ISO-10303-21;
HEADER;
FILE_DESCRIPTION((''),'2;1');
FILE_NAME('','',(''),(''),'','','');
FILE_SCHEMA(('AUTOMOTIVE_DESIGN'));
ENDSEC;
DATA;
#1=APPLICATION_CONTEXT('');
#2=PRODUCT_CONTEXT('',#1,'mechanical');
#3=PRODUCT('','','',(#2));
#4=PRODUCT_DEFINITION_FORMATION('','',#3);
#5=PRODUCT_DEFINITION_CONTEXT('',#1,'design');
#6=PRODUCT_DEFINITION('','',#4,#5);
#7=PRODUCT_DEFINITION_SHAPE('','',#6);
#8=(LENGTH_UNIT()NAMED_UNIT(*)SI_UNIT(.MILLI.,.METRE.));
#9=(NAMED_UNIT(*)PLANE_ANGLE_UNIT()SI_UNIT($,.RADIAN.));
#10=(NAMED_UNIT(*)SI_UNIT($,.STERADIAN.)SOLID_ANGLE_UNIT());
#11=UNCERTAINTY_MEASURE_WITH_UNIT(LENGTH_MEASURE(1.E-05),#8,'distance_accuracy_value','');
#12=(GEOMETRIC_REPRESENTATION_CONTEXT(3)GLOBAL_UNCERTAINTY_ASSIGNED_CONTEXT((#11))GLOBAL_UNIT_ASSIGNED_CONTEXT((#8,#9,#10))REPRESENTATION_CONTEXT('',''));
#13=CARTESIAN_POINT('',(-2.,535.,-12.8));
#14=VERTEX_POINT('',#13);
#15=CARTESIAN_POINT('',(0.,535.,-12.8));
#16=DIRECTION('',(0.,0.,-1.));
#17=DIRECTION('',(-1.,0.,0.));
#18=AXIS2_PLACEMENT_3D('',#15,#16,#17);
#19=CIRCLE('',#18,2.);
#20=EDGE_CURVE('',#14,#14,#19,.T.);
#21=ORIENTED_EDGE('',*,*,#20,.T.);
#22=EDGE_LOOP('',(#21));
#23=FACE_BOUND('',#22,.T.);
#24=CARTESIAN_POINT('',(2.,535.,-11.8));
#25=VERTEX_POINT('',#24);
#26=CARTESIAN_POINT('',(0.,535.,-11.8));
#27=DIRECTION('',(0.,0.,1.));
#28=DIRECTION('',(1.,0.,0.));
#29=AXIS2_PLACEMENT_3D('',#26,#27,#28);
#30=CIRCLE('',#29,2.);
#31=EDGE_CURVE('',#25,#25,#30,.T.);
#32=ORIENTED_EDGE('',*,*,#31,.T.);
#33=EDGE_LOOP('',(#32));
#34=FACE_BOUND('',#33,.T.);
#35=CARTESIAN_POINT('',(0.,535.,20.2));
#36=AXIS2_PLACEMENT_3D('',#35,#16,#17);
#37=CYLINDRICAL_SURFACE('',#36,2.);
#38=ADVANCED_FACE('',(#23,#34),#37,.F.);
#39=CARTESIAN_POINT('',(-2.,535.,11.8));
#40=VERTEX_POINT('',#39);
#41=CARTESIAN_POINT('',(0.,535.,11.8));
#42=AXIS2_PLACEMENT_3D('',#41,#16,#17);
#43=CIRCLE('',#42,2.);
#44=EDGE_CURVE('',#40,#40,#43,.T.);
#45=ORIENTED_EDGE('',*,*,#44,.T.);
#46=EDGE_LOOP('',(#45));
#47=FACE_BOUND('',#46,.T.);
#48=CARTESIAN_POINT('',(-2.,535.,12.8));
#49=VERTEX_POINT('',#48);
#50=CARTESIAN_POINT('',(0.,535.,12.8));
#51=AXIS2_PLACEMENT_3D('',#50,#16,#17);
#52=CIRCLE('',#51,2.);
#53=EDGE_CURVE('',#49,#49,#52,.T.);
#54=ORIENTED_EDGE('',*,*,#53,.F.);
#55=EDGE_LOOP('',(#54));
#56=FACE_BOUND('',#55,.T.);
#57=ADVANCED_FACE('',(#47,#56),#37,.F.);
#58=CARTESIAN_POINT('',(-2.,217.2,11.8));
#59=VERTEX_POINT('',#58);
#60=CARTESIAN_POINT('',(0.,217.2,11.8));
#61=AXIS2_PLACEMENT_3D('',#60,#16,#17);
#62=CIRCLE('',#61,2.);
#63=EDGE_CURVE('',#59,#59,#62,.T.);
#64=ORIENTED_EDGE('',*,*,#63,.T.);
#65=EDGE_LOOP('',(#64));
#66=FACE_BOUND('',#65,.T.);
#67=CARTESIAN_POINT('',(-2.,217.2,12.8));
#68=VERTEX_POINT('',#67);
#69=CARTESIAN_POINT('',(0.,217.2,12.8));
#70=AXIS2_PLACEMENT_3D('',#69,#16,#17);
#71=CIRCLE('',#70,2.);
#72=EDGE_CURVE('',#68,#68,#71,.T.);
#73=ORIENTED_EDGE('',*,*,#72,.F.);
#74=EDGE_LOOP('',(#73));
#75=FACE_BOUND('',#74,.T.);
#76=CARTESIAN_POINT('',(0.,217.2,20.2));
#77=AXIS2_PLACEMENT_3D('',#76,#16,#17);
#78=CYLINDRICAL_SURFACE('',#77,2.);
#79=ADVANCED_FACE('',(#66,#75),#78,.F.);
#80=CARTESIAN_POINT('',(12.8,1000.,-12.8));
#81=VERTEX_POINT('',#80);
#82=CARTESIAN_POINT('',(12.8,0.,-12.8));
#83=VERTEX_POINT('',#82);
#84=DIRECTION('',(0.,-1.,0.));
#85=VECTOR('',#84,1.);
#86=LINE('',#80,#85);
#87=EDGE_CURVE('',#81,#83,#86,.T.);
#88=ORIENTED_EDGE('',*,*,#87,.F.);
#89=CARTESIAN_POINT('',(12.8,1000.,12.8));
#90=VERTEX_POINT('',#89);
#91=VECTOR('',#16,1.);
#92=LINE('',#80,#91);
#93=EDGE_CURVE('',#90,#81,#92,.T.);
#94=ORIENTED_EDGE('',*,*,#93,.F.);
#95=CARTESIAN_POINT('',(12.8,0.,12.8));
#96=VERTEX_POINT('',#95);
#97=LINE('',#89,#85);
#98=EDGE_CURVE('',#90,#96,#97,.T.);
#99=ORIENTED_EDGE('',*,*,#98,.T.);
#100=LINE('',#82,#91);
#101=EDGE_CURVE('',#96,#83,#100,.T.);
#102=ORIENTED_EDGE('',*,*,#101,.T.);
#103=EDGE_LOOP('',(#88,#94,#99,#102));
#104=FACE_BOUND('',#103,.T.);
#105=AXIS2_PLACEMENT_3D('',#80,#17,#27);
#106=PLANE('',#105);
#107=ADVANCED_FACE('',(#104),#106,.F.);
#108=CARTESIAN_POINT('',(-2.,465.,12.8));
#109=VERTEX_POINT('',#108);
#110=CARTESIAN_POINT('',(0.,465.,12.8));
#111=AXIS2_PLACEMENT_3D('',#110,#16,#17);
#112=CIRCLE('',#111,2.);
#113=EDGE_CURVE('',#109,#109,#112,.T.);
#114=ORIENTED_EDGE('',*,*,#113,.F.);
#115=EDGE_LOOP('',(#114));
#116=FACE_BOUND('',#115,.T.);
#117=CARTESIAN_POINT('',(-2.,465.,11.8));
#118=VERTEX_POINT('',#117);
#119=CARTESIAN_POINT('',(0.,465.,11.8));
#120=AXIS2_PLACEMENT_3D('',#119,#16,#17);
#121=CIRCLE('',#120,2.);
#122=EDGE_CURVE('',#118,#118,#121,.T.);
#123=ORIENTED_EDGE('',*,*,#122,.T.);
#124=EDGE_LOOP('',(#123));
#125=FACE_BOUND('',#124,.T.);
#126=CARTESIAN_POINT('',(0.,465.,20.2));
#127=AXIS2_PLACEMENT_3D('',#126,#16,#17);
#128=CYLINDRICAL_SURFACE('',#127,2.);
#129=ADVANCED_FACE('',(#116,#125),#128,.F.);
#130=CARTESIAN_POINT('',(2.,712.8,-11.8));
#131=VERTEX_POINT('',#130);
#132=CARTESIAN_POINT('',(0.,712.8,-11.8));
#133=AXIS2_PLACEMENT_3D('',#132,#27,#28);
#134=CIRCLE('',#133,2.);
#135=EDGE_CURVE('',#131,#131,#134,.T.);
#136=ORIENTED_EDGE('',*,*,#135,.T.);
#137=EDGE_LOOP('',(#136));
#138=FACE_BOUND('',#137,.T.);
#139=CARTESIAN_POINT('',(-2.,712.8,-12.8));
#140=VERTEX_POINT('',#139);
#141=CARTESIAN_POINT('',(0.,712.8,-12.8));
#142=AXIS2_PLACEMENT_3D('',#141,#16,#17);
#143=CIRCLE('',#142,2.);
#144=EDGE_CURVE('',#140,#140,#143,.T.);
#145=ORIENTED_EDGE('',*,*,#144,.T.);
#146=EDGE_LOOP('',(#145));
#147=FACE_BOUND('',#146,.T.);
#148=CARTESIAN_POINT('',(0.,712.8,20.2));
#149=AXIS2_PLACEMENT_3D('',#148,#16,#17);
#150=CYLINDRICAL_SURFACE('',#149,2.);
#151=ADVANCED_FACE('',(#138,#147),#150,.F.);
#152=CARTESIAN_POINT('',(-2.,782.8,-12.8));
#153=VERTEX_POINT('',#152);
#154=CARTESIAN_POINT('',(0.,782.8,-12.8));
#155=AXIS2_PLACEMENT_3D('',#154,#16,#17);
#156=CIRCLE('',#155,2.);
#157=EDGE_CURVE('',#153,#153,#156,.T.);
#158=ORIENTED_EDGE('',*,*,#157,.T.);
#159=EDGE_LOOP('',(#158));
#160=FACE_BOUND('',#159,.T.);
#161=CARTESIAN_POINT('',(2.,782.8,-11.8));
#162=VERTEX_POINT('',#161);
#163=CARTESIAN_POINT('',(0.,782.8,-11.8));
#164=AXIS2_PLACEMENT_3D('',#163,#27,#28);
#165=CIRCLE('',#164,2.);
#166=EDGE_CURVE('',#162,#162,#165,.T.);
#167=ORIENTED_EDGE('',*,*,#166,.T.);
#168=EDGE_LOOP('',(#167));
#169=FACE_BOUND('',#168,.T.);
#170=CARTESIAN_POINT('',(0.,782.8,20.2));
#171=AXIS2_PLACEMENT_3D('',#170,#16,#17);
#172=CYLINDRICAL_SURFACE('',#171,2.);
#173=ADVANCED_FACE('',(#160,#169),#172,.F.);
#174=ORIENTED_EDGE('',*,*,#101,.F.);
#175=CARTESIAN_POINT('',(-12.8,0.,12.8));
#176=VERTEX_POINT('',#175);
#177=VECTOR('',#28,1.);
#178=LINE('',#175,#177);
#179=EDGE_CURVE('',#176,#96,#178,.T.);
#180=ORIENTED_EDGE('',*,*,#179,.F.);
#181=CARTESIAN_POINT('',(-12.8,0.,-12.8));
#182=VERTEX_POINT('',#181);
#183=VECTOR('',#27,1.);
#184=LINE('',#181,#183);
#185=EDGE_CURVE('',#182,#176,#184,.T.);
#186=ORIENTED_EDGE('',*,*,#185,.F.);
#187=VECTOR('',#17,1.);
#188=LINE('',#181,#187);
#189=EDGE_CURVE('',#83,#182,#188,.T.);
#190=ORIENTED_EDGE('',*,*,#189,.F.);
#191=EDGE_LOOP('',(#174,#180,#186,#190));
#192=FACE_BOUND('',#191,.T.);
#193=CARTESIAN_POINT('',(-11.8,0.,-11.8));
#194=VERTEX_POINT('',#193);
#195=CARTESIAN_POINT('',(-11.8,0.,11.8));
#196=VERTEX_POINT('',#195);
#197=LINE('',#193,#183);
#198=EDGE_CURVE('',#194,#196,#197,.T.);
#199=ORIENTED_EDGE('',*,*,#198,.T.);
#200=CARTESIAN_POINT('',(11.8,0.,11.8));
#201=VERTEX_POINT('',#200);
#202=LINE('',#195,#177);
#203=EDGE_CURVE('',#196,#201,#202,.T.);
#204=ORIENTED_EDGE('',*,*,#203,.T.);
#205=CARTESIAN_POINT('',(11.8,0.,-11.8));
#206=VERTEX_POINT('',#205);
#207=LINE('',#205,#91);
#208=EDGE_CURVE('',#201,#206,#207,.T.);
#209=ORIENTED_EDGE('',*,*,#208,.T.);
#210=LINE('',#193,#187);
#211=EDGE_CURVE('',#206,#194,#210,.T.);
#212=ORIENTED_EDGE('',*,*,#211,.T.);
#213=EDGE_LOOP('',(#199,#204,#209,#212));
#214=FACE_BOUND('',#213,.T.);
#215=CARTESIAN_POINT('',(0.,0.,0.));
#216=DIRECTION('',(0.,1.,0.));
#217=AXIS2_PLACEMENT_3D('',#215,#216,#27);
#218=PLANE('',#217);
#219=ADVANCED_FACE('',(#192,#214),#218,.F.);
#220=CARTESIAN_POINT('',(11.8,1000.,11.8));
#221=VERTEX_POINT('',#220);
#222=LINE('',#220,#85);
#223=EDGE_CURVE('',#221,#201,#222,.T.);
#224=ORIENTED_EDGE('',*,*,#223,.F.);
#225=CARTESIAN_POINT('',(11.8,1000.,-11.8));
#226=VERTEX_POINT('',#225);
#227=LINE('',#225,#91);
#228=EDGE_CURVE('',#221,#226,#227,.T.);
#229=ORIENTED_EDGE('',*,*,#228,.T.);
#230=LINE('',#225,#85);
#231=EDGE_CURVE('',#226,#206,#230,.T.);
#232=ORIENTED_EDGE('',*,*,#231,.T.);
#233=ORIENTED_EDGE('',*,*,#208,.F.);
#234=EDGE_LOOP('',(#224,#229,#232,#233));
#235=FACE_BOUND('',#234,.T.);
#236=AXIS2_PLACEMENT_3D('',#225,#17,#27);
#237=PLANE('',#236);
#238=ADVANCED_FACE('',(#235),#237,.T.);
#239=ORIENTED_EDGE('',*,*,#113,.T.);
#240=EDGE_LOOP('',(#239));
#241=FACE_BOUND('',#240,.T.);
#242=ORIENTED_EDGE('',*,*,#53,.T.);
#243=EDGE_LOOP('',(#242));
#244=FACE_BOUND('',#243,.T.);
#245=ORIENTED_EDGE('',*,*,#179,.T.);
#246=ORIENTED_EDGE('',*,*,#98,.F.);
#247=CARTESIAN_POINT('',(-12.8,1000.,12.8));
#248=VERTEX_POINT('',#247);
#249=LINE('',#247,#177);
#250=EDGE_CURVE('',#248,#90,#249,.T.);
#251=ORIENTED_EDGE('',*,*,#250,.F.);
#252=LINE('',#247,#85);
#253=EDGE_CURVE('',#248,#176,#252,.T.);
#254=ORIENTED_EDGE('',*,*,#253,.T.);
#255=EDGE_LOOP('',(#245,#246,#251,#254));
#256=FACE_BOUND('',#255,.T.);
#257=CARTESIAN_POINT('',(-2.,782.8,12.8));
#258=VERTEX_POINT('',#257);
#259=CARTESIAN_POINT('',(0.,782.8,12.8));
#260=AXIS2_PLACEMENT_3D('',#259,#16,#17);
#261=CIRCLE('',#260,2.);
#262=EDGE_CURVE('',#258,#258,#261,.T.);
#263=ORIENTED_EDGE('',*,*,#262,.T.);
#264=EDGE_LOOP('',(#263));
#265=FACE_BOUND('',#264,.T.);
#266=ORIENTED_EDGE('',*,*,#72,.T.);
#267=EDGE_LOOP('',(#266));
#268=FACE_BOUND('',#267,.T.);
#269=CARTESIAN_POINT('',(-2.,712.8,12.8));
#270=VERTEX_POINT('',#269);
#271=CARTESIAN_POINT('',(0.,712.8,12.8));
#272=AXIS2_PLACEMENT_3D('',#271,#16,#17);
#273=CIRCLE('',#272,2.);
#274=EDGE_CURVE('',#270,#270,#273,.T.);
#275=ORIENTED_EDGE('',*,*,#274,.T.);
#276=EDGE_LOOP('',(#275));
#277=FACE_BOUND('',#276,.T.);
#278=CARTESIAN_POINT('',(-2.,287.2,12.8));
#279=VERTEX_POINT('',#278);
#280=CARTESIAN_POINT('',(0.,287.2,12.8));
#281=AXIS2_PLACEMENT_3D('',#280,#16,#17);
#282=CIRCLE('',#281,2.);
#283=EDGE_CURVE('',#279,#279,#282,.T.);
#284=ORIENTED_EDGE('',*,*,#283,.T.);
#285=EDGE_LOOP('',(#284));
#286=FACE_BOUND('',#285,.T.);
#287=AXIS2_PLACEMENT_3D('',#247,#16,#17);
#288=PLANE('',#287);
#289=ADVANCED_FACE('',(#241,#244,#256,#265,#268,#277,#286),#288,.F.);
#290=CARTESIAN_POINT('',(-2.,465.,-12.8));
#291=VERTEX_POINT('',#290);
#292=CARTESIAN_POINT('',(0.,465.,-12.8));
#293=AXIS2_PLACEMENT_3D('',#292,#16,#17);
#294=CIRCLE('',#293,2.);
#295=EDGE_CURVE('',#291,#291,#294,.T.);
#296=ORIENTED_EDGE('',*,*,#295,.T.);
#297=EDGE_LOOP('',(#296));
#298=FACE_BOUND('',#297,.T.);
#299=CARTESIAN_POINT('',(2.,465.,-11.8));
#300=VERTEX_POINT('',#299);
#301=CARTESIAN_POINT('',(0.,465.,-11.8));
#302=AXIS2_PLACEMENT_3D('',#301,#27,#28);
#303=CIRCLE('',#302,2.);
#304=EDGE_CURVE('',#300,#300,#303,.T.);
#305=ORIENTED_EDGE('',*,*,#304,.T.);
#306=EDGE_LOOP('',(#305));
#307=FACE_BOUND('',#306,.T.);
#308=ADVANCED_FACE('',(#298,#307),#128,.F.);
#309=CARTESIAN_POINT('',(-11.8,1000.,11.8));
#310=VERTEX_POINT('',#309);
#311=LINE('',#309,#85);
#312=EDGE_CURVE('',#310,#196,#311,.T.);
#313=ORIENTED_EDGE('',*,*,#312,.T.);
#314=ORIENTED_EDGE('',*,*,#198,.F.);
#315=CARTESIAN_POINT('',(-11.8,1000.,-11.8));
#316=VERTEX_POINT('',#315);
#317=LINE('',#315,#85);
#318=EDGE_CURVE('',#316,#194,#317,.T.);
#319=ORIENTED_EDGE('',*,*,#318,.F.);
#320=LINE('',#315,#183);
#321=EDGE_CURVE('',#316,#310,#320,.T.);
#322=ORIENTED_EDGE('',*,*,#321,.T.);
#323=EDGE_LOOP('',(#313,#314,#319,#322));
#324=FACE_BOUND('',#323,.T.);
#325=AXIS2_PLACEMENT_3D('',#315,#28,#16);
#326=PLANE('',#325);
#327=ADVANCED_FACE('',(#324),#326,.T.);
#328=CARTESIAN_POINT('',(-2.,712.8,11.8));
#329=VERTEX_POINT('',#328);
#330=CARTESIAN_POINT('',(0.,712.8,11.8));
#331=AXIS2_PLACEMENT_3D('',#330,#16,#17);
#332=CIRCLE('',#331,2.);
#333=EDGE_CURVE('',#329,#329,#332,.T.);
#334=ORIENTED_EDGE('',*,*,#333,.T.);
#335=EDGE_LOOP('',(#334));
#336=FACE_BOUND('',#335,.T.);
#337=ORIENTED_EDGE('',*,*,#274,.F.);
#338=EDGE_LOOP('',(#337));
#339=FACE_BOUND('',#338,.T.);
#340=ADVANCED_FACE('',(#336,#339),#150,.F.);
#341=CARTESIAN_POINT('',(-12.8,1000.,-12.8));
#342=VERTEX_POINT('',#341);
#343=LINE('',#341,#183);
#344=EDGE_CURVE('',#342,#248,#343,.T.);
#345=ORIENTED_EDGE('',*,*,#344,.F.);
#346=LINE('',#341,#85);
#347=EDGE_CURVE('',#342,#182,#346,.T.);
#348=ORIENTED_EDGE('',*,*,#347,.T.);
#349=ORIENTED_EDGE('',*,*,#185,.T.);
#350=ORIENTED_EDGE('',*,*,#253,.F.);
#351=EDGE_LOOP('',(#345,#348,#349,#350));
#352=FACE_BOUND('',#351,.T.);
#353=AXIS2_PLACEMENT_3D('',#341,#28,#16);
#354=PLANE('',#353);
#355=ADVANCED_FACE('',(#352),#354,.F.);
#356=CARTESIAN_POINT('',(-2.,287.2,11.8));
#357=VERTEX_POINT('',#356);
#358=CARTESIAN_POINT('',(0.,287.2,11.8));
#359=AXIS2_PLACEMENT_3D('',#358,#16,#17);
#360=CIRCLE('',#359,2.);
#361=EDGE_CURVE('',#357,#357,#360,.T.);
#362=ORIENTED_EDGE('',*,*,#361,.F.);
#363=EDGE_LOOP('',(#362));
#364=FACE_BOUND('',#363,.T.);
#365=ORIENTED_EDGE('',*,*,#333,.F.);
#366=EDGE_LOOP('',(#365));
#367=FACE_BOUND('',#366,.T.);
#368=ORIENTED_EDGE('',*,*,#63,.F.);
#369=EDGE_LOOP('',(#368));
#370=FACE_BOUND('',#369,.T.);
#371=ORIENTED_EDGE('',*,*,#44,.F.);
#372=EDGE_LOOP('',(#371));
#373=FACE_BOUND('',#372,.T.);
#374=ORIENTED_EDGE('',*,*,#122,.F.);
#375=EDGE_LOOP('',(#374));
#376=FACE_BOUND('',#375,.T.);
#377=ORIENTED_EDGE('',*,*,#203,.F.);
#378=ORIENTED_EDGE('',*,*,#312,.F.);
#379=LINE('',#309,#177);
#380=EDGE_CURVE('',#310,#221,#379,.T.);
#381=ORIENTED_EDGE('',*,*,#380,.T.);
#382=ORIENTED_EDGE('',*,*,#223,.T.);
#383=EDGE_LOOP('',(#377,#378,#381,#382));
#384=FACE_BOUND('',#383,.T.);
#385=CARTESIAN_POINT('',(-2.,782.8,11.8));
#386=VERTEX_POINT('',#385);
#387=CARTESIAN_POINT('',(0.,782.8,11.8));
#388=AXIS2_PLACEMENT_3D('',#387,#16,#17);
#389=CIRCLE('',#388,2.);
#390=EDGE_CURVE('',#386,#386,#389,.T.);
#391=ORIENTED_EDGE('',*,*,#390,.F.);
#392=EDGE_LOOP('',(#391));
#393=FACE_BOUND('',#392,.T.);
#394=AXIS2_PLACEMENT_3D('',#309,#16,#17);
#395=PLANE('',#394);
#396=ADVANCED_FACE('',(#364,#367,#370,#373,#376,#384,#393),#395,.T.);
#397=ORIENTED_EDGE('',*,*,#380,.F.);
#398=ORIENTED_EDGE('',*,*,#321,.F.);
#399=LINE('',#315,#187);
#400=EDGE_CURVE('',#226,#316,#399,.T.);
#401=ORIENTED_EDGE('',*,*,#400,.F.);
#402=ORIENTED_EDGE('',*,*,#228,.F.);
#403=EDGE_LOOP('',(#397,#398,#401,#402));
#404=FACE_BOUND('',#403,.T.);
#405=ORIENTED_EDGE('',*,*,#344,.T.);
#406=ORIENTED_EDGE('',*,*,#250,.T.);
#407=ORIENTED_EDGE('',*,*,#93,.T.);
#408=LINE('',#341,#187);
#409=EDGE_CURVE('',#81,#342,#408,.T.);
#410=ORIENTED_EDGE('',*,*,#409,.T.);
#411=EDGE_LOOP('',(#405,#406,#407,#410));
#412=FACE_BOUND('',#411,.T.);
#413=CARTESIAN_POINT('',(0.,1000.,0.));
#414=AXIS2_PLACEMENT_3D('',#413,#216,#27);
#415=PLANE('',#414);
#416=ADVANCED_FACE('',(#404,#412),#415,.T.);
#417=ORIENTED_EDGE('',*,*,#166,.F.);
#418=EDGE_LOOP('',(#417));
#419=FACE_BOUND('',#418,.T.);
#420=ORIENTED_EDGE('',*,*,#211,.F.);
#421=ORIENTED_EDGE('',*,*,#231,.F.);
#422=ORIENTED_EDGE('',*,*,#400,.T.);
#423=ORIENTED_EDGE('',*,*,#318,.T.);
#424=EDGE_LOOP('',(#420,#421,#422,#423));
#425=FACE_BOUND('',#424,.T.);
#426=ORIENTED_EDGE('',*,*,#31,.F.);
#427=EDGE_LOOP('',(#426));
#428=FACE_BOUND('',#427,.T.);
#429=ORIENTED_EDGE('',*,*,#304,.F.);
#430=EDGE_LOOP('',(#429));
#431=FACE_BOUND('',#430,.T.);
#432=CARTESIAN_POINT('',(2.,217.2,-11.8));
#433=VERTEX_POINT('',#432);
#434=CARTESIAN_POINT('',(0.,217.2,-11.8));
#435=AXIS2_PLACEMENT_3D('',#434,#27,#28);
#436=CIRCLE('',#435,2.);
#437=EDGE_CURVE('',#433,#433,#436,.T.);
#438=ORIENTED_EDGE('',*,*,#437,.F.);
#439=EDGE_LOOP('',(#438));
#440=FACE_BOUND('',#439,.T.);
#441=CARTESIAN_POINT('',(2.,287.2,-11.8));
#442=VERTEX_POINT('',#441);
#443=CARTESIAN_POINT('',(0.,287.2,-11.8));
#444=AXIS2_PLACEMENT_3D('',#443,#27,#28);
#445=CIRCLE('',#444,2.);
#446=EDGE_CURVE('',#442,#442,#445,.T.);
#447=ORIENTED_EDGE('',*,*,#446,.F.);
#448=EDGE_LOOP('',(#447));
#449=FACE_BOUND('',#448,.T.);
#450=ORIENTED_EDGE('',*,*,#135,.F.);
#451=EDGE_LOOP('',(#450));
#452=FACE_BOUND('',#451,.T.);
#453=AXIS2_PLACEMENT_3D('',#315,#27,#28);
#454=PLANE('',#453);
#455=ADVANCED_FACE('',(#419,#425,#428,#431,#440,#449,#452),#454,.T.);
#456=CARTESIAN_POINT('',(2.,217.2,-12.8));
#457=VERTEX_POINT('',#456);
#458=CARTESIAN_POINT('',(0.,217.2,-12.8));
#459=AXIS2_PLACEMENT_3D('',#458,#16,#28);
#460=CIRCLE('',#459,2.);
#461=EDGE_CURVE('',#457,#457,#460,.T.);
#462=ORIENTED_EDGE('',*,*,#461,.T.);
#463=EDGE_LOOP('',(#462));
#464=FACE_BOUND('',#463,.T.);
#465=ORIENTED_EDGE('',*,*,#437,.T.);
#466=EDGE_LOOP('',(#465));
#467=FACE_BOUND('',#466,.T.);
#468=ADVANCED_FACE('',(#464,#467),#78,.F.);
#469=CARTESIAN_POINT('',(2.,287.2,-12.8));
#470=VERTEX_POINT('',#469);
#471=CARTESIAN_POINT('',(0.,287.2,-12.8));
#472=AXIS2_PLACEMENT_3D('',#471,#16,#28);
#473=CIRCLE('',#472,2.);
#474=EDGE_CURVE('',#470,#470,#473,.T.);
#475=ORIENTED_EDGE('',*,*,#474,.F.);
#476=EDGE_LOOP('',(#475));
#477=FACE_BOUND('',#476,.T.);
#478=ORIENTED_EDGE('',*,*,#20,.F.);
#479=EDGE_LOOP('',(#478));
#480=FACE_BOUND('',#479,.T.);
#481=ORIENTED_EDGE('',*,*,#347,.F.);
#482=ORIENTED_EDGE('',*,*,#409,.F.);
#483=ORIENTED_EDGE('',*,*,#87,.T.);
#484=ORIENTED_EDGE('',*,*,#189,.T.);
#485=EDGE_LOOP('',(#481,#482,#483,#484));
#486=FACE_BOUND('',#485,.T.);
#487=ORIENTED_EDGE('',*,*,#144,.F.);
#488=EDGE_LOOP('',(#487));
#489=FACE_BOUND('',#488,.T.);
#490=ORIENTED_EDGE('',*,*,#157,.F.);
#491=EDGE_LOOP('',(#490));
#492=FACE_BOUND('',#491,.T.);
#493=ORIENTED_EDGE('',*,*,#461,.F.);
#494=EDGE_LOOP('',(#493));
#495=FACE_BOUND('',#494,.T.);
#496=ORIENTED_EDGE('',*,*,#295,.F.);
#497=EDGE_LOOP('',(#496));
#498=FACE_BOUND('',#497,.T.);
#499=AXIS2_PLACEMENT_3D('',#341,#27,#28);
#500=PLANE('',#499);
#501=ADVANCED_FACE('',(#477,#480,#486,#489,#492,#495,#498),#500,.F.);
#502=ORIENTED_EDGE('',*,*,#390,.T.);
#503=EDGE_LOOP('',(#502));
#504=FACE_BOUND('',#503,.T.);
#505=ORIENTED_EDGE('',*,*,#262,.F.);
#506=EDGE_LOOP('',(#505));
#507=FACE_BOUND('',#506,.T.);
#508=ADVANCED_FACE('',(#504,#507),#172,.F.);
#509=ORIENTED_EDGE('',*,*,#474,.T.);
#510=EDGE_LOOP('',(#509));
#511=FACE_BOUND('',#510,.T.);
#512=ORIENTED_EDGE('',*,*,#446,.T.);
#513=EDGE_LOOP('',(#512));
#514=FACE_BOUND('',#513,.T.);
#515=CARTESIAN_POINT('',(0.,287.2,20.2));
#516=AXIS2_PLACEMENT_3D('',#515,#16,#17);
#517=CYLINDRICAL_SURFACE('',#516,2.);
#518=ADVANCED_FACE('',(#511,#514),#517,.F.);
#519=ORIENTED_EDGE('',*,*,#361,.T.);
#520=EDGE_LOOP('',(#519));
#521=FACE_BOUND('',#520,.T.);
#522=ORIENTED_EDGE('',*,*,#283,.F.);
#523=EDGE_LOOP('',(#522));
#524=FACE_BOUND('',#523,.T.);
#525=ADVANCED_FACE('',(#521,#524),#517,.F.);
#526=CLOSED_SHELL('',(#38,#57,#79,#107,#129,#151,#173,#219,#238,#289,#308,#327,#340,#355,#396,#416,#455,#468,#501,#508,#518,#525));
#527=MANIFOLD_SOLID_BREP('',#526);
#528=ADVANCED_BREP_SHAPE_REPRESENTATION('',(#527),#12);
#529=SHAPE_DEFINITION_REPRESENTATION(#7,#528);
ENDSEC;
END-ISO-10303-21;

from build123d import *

# Parameters (mm, degrees)
SKETCH1_W           = 25.6
SKETCH1_H           = 25.6
SKETCH1_W_2         = 23.6
SKETCH1_H_2         = 23.6
BOSS_EXTRUDE1_DEPTH = 1000
SKETCH2_R           = 2
CUT_EXTRUDE1_DEPTH  = 33


with BuildPart() as part:
    # Sketch1 → Boss-Extrude1 (new body)
    with BuildSketch(Plane(origin=(0, 0, 0), x_dir=(1, 0, 0), z_dir=(0, 1, 0))):
        Rectangle(SKETCH1_W, SKETCH1_H)
        Rectangle(SKETCH1_W_2, SKETCH1_H_2, mode=Mode.SUBTRACT)
    extrude(amount=BOSS_EXTRUDE1_DEPTH)

    # Sketch2 → Cut-Extrude1 (cut)
    with BuildSketch(Plane(origin=(0, 0, -12.8), x_dir=(-1, 0, 0), z_dir=(0, 0, -1))):
        with Locations((0, 535)):
            Circle(SKETCH2_R)
        with Locations((0, 465)):
            Circle(SKETCH2_R)
        with Locations((0, 782.8)):
            Circle(SKETCH2_R)
        with Locations((0, 712.8)):
            Circle(SKETCH2_R)
        with Locations(Location((0, 287.2, 0), (0, 0, 180))):
            Circle(SKETCH2_R)
        with Locations(Location((0, 217.2, 0), (0, 0, 180))):
            Circle(SKETCH2_R)
    extrude(amount=-CUT_EXTRUDE1_DEPTH, mode=Mode.SUBTRACT)


solid = part.part
